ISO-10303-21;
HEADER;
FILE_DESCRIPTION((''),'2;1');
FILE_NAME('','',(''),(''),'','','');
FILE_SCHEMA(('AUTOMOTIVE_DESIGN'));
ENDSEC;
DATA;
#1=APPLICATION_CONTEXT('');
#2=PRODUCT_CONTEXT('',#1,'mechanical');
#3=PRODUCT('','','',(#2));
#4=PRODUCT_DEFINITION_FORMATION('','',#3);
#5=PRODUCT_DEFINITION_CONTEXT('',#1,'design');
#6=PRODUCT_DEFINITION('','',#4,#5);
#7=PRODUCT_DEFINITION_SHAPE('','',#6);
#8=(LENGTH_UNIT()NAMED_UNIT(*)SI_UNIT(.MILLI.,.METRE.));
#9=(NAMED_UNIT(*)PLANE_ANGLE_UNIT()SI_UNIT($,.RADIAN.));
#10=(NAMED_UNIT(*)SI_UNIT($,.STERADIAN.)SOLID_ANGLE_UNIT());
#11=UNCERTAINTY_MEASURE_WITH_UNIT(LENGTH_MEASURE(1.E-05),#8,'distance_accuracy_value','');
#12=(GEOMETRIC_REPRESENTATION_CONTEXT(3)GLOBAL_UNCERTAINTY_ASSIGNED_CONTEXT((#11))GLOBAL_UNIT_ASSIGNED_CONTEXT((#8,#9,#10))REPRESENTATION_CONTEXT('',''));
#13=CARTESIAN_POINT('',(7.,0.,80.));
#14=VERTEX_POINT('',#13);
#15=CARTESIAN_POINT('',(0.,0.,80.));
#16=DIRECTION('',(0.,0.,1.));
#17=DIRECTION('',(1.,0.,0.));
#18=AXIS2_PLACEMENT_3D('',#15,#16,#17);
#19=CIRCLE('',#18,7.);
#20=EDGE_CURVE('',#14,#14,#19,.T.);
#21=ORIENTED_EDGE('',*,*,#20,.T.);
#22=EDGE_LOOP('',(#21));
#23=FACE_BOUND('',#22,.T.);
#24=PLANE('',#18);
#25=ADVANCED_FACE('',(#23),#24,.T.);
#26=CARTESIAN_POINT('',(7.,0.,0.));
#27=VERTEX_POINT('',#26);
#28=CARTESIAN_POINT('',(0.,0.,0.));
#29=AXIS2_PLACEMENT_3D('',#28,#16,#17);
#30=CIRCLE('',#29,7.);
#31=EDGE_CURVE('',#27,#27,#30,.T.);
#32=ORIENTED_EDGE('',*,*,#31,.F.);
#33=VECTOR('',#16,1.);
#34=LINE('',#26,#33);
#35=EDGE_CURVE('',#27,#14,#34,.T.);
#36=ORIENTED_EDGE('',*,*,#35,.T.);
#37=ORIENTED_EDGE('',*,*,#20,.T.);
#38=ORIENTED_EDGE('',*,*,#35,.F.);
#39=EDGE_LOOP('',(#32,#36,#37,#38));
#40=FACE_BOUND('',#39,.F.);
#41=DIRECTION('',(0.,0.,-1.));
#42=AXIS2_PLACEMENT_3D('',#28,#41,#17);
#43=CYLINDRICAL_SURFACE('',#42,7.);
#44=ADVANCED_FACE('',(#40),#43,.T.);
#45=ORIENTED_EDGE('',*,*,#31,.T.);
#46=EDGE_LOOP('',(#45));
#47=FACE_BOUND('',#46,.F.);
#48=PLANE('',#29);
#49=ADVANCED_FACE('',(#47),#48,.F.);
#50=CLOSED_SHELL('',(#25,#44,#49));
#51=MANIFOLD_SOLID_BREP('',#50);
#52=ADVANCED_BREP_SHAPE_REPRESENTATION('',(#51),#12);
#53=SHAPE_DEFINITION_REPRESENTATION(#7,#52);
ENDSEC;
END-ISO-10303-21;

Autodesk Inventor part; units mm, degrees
ref_plane "YZ Plane" through (0, 0, 0) normal (1, 0, 0) x (0, 1, 0)
ref_plane "XZ Plane" through (0, 0, 0) normal (0, 1, 0) x (-1, 0, 0)
ref_plane "XY Plane" through (0, 0, 0) normal (0, 0, 1) x (1, 0, 0)
sketch "Sketch1" plane through (0, 0, 0) normal (0, 0, 1) x (1, 0, 0)
  circle A0 centre (0, 0) radius 7
  dimension "d0" = 14
extrude "Extrusion1" add sketch "Sketch1" along normal blind 80
properties part number "pipe"
